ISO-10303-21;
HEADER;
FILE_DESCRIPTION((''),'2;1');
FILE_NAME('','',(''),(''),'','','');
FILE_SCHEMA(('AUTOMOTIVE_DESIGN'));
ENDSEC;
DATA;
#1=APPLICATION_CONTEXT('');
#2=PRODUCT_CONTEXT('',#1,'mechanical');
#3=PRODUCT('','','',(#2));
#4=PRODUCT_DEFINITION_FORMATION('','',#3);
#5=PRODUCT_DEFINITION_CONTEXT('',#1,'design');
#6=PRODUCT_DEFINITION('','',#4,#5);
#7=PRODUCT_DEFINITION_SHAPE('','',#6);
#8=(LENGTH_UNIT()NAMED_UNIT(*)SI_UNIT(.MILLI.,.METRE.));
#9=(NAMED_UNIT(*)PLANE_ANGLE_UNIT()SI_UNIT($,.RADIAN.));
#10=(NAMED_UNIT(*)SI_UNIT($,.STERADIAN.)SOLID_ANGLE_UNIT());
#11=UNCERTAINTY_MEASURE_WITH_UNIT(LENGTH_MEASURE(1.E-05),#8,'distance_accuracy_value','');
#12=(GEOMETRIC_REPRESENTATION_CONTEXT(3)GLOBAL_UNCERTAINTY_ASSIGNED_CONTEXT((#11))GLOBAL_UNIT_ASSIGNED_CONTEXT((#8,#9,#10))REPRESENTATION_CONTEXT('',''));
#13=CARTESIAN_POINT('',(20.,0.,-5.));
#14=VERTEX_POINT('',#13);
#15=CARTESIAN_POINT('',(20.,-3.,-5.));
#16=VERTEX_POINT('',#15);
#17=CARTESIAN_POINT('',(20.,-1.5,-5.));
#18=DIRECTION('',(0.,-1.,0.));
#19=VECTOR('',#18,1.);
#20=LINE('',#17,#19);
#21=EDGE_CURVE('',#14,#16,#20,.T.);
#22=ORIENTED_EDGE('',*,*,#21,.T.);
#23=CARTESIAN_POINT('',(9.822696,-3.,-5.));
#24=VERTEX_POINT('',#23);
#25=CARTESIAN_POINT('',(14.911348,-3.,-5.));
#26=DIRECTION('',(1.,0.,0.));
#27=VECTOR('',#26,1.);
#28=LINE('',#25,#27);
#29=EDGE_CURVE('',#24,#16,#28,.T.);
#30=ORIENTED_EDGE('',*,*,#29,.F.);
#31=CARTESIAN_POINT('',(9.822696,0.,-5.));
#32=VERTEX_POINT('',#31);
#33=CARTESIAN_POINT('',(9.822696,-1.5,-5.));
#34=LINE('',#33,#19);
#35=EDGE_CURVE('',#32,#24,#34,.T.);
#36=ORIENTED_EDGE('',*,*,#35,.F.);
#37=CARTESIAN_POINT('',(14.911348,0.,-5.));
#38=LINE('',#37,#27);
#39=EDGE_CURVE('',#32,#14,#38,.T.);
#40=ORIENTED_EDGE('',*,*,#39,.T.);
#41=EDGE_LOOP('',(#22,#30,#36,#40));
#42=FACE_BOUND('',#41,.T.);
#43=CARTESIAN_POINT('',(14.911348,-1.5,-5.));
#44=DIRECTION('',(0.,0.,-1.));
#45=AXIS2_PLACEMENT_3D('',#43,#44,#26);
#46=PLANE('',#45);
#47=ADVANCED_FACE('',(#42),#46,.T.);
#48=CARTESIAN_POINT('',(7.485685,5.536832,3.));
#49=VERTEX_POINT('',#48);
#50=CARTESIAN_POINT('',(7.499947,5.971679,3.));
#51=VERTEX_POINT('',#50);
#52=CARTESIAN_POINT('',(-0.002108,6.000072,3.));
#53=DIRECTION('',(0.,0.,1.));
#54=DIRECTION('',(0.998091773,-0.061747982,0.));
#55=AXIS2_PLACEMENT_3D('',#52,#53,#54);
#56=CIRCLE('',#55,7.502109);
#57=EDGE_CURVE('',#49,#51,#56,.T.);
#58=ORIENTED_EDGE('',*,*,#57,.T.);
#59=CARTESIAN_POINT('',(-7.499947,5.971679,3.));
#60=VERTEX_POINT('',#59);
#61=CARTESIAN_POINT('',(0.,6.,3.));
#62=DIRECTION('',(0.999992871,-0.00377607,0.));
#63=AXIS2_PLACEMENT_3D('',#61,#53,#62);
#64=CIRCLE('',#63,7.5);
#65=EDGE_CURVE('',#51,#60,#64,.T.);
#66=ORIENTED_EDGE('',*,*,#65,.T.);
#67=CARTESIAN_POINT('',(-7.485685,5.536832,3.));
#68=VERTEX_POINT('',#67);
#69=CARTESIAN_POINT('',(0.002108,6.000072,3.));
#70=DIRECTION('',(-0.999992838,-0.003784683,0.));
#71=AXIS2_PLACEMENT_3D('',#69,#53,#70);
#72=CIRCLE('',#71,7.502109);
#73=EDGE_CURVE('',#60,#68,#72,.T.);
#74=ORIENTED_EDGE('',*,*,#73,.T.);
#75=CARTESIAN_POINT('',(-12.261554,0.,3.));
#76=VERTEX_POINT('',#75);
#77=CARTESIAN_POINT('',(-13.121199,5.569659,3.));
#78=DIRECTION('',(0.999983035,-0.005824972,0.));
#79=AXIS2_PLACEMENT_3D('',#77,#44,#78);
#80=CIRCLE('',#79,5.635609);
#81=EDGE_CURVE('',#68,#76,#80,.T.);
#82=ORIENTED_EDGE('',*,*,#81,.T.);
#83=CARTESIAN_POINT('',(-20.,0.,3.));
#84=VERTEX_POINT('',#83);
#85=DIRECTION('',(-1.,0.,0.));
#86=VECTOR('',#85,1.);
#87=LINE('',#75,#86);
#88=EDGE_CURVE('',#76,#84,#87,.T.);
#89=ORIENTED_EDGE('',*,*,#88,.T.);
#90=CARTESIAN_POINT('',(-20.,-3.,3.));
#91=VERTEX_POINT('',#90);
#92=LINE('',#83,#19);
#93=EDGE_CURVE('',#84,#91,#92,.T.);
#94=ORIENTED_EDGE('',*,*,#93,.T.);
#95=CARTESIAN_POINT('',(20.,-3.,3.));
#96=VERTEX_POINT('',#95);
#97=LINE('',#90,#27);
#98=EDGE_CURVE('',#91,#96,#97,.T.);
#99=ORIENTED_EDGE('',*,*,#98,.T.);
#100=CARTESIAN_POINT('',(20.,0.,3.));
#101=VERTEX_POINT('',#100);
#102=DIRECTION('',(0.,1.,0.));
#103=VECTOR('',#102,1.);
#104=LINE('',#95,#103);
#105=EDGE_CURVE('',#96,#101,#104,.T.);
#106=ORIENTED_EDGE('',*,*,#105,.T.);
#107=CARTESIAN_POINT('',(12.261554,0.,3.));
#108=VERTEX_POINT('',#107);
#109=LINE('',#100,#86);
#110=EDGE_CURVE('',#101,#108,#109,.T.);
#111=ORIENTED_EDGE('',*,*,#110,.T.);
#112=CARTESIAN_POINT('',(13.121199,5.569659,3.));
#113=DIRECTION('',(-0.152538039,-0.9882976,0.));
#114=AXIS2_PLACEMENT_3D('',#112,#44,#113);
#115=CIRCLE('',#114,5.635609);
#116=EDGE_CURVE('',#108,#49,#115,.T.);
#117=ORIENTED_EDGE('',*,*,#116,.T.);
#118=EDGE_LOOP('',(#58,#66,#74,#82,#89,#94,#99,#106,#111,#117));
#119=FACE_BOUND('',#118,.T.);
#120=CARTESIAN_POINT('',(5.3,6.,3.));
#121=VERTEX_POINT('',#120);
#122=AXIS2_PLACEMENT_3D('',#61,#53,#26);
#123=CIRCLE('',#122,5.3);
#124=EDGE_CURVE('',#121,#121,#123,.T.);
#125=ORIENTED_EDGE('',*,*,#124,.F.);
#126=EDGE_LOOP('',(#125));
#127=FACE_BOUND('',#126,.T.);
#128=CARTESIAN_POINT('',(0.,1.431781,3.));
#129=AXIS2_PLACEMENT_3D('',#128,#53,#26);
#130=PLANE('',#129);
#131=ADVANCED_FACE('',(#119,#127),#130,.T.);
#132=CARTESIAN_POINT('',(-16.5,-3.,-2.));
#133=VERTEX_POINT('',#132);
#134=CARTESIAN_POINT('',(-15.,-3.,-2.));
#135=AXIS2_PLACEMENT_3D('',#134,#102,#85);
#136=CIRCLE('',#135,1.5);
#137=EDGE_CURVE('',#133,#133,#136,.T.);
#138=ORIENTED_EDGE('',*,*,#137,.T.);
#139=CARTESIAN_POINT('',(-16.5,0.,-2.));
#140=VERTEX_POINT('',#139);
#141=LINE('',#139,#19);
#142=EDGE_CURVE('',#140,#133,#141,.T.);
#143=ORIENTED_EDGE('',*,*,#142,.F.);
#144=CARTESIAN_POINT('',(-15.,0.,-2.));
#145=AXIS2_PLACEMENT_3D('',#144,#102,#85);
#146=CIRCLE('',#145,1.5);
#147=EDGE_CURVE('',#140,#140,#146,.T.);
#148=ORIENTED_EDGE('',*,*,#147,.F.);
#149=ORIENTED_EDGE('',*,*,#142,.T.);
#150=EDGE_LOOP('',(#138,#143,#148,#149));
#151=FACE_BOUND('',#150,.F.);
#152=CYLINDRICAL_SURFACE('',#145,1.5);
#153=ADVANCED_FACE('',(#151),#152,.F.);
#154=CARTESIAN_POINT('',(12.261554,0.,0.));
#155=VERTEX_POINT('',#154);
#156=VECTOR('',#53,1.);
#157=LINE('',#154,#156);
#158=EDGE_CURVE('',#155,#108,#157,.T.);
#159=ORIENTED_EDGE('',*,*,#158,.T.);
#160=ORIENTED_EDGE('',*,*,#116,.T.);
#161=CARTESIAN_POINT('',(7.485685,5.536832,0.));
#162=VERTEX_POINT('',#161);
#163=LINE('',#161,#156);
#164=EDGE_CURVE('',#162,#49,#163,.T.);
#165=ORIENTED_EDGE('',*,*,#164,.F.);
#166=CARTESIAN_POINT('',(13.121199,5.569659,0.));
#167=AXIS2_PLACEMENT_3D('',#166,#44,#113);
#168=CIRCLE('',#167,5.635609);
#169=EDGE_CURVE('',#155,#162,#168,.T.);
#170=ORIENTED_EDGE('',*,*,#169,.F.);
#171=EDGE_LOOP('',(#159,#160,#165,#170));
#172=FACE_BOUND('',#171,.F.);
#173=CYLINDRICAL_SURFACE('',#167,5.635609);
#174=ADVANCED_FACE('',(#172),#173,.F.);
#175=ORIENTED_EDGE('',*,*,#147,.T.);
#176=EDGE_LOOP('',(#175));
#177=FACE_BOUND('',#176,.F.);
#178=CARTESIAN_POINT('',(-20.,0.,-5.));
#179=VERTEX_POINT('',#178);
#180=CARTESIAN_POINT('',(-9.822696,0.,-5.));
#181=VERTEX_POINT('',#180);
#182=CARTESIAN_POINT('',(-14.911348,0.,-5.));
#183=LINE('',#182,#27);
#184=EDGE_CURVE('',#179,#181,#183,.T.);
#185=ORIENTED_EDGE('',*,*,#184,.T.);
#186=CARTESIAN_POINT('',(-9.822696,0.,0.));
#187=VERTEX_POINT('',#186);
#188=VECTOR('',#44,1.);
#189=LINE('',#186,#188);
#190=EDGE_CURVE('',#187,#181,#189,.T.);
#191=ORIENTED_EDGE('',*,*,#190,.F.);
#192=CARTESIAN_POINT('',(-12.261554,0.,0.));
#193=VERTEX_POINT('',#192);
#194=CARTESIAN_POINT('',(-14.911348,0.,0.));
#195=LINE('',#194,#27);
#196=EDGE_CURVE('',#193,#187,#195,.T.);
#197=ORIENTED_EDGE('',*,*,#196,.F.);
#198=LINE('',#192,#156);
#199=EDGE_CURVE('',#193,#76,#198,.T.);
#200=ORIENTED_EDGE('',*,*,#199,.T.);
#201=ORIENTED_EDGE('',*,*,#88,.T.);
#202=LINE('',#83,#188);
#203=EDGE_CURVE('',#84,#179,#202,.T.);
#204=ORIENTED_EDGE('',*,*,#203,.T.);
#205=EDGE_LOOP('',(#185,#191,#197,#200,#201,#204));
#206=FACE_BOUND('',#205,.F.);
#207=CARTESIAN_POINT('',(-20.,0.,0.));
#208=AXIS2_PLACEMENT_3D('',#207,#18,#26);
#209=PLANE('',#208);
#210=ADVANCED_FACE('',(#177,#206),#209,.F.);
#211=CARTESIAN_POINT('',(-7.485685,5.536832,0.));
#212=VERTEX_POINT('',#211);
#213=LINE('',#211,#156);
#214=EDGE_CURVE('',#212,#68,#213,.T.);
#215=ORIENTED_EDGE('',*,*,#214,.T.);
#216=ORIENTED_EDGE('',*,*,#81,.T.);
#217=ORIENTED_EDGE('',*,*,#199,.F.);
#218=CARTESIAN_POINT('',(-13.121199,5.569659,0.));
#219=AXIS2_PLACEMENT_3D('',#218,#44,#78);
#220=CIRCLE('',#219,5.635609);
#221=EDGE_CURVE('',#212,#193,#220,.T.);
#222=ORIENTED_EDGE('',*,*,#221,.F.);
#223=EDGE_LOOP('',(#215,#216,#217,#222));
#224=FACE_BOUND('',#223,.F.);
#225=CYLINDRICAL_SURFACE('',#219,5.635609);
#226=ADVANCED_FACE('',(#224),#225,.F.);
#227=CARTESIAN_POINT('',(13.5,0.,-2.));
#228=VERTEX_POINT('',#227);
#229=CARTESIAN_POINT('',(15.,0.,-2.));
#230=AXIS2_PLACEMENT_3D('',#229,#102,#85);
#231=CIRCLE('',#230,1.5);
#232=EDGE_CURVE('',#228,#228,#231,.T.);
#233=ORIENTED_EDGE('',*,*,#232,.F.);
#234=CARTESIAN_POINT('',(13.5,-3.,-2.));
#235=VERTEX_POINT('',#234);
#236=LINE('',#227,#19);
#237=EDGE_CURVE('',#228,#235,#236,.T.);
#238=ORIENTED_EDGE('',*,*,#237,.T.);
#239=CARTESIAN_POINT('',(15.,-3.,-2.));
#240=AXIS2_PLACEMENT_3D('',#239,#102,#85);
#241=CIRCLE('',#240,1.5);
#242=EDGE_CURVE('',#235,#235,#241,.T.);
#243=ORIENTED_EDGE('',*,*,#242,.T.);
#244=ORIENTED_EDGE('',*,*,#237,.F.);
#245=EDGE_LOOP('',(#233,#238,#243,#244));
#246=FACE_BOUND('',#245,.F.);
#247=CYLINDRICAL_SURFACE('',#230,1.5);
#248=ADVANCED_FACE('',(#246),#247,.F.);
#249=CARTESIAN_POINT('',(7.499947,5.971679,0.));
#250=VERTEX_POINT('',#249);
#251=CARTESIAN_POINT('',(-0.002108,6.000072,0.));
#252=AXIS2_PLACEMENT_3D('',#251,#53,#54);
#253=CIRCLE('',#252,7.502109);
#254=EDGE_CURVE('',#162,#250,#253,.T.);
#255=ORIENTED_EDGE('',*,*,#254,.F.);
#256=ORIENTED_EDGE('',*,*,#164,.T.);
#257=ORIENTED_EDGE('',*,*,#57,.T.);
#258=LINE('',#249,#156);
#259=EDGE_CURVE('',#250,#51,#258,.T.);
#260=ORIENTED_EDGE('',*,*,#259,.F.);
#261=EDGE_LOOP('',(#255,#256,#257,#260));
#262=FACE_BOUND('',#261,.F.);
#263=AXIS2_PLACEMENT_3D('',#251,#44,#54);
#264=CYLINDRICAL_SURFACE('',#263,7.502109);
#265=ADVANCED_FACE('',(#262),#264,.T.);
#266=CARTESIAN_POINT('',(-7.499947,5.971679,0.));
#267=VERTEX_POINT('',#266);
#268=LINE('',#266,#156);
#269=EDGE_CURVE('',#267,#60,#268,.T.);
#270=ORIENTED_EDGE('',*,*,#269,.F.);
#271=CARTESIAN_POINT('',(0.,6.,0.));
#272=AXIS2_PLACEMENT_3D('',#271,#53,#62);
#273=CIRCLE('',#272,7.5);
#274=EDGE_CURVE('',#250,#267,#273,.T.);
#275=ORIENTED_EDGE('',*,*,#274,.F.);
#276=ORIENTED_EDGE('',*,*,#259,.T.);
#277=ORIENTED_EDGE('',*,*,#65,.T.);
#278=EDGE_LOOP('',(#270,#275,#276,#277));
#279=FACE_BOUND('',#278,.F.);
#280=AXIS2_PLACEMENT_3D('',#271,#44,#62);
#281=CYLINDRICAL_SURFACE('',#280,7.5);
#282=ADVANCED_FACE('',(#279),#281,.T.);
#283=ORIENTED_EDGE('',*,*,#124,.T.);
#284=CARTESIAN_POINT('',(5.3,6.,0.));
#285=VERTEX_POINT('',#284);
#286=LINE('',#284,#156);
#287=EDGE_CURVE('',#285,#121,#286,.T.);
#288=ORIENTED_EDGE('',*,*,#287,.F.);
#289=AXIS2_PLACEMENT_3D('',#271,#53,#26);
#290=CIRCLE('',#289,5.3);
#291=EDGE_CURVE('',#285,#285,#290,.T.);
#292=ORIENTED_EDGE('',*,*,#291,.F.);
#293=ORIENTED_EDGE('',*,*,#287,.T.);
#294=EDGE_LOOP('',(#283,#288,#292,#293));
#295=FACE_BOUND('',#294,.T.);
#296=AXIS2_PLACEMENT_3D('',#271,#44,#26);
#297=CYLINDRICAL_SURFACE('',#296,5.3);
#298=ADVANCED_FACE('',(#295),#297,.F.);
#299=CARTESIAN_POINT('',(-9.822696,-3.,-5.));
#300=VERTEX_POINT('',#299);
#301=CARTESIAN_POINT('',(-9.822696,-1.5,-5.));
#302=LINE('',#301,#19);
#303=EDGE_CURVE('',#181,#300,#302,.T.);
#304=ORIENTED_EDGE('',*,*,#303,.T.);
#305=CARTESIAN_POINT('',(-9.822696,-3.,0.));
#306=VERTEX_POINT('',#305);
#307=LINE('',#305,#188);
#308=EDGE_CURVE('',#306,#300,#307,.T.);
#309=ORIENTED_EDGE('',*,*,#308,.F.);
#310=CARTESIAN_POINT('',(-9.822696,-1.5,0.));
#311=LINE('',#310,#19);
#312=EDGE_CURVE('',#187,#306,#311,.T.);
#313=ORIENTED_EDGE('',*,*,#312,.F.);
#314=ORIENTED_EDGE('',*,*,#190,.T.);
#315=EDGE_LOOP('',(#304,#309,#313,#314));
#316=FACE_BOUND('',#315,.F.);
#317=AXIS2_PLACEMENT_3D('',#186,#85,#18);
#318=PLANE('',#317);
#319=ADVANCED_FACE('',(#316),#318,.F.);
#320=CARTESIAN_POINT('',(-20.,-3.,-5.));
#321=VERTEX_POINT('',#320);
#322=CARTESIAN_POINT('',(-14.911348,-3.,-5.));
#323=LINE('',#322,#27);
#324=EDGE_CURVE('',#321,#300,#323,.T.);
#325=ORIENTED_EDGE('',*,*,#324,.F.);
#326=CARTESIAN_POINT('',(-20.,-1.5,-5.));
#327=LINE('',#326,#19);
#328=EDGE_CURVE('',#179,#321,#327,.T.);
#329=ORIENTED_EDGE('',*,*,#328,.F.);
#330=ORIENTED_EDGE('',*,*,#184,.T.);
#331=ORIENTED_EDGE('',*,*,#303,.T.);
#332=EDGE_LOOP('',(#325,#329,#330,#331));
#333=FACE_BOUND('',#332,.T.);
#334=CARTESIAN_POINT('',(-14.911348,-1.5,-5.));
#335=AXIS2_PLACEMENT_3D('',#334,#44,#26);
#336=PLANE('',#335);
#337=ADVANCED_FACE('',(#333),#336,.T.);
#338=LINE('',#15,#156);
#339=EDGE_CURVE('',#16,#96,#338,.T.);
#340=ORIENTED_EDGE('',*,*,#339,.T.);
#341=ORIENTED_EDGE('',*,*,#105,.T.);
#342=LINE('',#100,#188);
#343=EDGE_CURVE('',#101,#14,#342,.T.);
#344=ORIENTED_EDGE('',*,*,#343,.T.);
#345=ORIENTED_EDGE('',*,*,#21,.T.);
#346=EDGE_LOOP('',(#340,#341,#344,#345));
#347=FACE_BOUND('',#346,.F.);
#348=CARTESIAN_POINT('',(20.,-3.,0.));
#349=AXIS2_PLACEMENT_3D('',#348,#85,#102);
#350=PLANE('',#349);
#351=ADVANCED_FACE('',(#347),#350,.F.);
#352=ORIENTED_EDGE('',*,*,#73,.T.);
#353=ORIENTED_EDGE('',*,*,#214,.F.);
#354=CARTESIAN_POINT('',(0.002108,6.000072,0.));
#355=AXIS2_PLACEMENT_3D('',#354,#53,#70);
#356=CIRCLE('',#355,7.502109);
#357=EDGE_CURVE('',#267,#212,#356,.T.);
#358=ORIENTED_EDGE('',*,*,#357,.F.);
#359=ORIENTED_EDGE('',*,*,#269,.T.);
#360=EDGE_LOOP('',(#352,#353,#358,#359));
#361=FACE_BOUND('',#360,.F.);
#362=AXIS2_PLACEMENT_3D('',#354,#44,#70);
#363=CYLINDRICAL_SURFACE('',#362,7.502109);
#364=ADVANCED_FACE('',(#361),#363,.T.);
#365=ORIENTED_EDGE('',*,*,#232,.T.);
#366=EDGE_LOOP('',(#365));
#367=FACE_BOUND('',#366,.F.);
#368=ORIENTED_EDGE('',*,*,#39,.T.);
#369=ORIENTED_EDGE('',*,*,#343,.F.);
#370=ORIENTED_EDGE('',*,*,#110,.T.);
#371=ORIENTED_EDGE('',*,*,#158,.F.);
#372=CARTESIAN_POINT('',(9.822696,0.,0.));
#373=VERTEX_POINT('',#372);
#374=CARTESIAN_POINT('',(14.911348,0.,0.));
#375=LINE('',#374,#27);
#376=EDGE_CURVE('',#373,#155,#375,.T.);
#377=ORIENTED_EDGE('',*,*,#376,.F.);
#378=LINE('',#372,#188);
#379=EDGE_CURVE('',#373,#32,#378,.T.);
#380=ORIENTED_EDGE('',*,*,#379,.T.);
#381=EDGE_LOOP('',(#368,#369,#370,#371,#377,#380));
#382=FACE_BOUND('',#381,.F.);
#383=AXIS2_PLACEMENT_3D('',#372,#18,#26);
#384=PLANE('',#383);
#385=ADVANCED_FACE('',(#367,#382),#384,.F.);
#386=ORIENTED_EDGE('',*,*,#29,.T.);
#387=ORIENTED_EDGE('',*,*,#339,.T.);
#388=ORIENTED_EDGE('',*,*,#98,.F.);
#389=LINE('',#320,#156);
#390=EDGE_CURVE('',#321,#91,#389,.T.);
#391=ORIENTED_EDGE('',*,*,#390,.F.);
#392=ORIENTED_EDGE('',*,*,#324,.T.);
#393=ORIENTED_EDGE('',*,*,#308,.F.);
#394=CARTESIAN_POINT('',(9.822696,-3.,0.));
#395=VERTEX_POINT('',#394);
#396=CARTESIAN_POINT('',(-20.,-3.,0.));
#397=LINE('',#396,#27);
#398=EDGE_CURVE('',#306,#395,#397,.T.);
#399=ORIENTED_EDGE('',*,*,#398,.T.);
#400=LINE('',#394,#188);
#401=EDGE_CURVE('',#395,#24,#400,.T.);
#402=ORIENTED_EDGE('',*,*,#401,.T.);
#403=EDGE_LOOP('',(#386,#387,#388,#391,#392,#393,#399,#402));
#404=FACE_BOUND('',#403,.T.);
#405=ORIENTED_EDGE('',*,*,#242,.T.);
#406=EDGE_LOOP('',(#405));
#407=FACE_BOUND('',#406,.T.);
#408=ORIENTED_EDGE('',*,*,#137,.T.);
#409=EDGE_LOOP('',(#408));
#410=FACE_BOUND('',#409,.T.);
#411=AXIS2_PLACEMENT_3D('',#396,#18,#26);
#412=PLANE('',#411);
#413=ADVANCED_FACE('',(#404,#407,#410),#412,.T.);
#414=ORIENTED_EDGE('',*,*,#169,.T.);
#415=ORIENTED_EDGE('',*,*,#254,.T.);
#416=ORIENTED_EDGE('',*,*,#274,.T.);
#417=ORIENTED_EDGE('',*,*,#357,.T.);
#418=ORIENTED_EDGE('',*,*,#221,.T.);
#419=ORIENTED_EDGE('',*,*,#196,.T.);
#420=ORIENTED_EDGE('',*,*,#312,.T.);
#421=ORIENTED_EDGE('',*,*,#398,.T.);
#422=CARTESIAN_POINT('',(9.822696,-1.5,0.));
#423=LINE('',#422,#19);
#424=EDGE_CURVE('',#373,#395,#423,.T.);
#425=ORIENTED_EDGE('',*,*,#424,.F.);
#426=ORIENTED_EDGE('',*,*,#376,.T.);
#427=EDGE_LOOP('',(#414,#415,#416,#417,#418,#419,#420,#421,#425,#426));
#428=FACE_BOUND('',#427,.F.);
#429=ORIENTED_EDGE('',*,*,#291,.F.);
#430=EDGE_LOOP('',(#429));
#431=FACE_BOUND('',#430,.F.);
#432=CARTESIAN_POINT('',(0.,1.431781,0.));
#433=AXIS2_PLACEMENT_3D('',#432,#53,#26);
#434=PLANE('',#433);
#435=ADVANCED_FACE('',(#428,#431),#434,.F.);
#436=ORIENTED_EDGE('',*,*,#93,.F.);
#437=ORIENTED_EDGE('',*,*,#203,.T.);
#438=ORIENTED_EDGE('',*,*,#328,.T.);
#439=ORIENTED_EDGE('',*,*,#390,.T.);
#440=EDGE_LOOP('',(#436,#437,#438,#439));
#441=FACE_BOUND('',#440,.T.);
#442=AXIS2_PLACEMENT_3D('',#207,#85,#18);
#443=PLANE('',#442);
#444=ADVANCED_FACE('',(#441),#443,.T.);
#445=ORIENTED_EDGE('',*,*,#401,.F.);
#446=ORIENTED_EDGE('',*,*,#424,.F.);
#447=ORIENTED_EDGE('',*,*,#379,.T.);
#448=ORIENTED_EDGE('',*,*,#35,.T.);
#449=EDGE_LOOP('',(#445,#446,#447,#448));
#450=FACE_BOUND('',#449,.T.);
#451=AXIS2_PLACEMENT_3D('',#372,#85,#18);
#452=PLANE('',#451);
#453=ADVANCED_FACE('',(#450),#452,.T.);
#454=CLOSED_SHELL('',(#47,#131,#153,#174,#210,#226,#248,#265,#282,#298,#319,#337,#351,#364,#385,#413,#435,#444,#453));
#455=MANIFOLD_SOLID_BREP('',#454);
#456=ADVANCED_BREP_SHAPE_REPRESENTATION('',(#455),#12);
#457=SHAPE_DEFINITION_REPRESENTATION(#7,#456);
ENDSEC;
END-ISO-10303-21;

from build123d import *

# Parameters (mm, degrees)
F0_R     = 5.3
F1_DEPTH = 3
F2_W     = 10.177304
F2_H     = 3
F3_DEPTH = 5
F4_R     = 1.5
F5_DEPTH = 5


with BuildPart() as f1:
    # F0 (on Top) → F1 (new body)
    with BuildSketch(Plane.XY):
        with BuildLine():
            Line((-12.261554, 0), (-20, 0))
            Line((-20, 0), (-20, -3))
            Line((-20, -3), (0, -3))
            Line((0, -3), (20, -3))
            Line((20, -3), (20, 0))
            Line((20, 0), (12.261554, 0))
            ThreePointArc((12.261554, 0), (8.853776, 1.888736), (7.485685, 5.536832))
            ThreePointArc((7.485685, 5.536832), (7.488618, 5.754393), (7.499947, 5.971679))
            ThreePointArc((7.499947, 5.971679), (0, 13.5), (-7.499947, 5.971679))
            ThreePointArc((-7.499947, 5.971679), (-7.488618, 5.754393), (-7.485685, 5.536832))
            ThreePointArc((-7.485685, 5.536832), (-8.853776, 1.888736), (-12.261554, 0))
        make_face()
        with Locations((0, 6)):
            Circle(F0_R, mode=Mode.SUBTRACT)
        with BuildLine():
            ThreePointArc((-7.499947, 5.971679), (-7.495969, 5.754152), (-7.485685, 5.536832))
            ThreePointArc((-7.485685, 5.536832), (-7.488618, 5.754393), (-7.499947, 5.971679))
        make_face()
        with BuildLine():
            ThreePointArc((7.485685, 5.536832), (7.495969, 5.754152), (7.499947, 5.971679))
            ThreePointArc((7.499947, 5.971679), (7.488618, 5.754393), (7.485685, 5.536832))
        make_face()
    extrude(amount=F1_DEPTH)

    # F2 (on face) → F3 (join)
    with BuildSketch(Plane(origin=(0, 0, 0), x_dir=(1, 0, 0), z_dir=(0, 0, -1))):
        with Locations((-14.911348, 1.5)):
            Rectangle(F2_W, F2_H)
        with Locations((14.911348, 1.5)):
            Rectangle(F2_W, F2_H)
    extrude(amount=F3_DEPTH)

    # F4 (on face) → F5 (cut)
    with BuildSketch(Plane(origin=(0, 0, 0), x_dir=(-1, 0, 0), z_dir=(0, 1, 0))):
        with Locations((-15, -2)):
            Circle(F4_R)
        with Locations((15, -2)):
            Circle(F4_R)
    extrude(amount=-F5_DEPTH, mode=Mode.SUBTRACT)


solid = f1.part
